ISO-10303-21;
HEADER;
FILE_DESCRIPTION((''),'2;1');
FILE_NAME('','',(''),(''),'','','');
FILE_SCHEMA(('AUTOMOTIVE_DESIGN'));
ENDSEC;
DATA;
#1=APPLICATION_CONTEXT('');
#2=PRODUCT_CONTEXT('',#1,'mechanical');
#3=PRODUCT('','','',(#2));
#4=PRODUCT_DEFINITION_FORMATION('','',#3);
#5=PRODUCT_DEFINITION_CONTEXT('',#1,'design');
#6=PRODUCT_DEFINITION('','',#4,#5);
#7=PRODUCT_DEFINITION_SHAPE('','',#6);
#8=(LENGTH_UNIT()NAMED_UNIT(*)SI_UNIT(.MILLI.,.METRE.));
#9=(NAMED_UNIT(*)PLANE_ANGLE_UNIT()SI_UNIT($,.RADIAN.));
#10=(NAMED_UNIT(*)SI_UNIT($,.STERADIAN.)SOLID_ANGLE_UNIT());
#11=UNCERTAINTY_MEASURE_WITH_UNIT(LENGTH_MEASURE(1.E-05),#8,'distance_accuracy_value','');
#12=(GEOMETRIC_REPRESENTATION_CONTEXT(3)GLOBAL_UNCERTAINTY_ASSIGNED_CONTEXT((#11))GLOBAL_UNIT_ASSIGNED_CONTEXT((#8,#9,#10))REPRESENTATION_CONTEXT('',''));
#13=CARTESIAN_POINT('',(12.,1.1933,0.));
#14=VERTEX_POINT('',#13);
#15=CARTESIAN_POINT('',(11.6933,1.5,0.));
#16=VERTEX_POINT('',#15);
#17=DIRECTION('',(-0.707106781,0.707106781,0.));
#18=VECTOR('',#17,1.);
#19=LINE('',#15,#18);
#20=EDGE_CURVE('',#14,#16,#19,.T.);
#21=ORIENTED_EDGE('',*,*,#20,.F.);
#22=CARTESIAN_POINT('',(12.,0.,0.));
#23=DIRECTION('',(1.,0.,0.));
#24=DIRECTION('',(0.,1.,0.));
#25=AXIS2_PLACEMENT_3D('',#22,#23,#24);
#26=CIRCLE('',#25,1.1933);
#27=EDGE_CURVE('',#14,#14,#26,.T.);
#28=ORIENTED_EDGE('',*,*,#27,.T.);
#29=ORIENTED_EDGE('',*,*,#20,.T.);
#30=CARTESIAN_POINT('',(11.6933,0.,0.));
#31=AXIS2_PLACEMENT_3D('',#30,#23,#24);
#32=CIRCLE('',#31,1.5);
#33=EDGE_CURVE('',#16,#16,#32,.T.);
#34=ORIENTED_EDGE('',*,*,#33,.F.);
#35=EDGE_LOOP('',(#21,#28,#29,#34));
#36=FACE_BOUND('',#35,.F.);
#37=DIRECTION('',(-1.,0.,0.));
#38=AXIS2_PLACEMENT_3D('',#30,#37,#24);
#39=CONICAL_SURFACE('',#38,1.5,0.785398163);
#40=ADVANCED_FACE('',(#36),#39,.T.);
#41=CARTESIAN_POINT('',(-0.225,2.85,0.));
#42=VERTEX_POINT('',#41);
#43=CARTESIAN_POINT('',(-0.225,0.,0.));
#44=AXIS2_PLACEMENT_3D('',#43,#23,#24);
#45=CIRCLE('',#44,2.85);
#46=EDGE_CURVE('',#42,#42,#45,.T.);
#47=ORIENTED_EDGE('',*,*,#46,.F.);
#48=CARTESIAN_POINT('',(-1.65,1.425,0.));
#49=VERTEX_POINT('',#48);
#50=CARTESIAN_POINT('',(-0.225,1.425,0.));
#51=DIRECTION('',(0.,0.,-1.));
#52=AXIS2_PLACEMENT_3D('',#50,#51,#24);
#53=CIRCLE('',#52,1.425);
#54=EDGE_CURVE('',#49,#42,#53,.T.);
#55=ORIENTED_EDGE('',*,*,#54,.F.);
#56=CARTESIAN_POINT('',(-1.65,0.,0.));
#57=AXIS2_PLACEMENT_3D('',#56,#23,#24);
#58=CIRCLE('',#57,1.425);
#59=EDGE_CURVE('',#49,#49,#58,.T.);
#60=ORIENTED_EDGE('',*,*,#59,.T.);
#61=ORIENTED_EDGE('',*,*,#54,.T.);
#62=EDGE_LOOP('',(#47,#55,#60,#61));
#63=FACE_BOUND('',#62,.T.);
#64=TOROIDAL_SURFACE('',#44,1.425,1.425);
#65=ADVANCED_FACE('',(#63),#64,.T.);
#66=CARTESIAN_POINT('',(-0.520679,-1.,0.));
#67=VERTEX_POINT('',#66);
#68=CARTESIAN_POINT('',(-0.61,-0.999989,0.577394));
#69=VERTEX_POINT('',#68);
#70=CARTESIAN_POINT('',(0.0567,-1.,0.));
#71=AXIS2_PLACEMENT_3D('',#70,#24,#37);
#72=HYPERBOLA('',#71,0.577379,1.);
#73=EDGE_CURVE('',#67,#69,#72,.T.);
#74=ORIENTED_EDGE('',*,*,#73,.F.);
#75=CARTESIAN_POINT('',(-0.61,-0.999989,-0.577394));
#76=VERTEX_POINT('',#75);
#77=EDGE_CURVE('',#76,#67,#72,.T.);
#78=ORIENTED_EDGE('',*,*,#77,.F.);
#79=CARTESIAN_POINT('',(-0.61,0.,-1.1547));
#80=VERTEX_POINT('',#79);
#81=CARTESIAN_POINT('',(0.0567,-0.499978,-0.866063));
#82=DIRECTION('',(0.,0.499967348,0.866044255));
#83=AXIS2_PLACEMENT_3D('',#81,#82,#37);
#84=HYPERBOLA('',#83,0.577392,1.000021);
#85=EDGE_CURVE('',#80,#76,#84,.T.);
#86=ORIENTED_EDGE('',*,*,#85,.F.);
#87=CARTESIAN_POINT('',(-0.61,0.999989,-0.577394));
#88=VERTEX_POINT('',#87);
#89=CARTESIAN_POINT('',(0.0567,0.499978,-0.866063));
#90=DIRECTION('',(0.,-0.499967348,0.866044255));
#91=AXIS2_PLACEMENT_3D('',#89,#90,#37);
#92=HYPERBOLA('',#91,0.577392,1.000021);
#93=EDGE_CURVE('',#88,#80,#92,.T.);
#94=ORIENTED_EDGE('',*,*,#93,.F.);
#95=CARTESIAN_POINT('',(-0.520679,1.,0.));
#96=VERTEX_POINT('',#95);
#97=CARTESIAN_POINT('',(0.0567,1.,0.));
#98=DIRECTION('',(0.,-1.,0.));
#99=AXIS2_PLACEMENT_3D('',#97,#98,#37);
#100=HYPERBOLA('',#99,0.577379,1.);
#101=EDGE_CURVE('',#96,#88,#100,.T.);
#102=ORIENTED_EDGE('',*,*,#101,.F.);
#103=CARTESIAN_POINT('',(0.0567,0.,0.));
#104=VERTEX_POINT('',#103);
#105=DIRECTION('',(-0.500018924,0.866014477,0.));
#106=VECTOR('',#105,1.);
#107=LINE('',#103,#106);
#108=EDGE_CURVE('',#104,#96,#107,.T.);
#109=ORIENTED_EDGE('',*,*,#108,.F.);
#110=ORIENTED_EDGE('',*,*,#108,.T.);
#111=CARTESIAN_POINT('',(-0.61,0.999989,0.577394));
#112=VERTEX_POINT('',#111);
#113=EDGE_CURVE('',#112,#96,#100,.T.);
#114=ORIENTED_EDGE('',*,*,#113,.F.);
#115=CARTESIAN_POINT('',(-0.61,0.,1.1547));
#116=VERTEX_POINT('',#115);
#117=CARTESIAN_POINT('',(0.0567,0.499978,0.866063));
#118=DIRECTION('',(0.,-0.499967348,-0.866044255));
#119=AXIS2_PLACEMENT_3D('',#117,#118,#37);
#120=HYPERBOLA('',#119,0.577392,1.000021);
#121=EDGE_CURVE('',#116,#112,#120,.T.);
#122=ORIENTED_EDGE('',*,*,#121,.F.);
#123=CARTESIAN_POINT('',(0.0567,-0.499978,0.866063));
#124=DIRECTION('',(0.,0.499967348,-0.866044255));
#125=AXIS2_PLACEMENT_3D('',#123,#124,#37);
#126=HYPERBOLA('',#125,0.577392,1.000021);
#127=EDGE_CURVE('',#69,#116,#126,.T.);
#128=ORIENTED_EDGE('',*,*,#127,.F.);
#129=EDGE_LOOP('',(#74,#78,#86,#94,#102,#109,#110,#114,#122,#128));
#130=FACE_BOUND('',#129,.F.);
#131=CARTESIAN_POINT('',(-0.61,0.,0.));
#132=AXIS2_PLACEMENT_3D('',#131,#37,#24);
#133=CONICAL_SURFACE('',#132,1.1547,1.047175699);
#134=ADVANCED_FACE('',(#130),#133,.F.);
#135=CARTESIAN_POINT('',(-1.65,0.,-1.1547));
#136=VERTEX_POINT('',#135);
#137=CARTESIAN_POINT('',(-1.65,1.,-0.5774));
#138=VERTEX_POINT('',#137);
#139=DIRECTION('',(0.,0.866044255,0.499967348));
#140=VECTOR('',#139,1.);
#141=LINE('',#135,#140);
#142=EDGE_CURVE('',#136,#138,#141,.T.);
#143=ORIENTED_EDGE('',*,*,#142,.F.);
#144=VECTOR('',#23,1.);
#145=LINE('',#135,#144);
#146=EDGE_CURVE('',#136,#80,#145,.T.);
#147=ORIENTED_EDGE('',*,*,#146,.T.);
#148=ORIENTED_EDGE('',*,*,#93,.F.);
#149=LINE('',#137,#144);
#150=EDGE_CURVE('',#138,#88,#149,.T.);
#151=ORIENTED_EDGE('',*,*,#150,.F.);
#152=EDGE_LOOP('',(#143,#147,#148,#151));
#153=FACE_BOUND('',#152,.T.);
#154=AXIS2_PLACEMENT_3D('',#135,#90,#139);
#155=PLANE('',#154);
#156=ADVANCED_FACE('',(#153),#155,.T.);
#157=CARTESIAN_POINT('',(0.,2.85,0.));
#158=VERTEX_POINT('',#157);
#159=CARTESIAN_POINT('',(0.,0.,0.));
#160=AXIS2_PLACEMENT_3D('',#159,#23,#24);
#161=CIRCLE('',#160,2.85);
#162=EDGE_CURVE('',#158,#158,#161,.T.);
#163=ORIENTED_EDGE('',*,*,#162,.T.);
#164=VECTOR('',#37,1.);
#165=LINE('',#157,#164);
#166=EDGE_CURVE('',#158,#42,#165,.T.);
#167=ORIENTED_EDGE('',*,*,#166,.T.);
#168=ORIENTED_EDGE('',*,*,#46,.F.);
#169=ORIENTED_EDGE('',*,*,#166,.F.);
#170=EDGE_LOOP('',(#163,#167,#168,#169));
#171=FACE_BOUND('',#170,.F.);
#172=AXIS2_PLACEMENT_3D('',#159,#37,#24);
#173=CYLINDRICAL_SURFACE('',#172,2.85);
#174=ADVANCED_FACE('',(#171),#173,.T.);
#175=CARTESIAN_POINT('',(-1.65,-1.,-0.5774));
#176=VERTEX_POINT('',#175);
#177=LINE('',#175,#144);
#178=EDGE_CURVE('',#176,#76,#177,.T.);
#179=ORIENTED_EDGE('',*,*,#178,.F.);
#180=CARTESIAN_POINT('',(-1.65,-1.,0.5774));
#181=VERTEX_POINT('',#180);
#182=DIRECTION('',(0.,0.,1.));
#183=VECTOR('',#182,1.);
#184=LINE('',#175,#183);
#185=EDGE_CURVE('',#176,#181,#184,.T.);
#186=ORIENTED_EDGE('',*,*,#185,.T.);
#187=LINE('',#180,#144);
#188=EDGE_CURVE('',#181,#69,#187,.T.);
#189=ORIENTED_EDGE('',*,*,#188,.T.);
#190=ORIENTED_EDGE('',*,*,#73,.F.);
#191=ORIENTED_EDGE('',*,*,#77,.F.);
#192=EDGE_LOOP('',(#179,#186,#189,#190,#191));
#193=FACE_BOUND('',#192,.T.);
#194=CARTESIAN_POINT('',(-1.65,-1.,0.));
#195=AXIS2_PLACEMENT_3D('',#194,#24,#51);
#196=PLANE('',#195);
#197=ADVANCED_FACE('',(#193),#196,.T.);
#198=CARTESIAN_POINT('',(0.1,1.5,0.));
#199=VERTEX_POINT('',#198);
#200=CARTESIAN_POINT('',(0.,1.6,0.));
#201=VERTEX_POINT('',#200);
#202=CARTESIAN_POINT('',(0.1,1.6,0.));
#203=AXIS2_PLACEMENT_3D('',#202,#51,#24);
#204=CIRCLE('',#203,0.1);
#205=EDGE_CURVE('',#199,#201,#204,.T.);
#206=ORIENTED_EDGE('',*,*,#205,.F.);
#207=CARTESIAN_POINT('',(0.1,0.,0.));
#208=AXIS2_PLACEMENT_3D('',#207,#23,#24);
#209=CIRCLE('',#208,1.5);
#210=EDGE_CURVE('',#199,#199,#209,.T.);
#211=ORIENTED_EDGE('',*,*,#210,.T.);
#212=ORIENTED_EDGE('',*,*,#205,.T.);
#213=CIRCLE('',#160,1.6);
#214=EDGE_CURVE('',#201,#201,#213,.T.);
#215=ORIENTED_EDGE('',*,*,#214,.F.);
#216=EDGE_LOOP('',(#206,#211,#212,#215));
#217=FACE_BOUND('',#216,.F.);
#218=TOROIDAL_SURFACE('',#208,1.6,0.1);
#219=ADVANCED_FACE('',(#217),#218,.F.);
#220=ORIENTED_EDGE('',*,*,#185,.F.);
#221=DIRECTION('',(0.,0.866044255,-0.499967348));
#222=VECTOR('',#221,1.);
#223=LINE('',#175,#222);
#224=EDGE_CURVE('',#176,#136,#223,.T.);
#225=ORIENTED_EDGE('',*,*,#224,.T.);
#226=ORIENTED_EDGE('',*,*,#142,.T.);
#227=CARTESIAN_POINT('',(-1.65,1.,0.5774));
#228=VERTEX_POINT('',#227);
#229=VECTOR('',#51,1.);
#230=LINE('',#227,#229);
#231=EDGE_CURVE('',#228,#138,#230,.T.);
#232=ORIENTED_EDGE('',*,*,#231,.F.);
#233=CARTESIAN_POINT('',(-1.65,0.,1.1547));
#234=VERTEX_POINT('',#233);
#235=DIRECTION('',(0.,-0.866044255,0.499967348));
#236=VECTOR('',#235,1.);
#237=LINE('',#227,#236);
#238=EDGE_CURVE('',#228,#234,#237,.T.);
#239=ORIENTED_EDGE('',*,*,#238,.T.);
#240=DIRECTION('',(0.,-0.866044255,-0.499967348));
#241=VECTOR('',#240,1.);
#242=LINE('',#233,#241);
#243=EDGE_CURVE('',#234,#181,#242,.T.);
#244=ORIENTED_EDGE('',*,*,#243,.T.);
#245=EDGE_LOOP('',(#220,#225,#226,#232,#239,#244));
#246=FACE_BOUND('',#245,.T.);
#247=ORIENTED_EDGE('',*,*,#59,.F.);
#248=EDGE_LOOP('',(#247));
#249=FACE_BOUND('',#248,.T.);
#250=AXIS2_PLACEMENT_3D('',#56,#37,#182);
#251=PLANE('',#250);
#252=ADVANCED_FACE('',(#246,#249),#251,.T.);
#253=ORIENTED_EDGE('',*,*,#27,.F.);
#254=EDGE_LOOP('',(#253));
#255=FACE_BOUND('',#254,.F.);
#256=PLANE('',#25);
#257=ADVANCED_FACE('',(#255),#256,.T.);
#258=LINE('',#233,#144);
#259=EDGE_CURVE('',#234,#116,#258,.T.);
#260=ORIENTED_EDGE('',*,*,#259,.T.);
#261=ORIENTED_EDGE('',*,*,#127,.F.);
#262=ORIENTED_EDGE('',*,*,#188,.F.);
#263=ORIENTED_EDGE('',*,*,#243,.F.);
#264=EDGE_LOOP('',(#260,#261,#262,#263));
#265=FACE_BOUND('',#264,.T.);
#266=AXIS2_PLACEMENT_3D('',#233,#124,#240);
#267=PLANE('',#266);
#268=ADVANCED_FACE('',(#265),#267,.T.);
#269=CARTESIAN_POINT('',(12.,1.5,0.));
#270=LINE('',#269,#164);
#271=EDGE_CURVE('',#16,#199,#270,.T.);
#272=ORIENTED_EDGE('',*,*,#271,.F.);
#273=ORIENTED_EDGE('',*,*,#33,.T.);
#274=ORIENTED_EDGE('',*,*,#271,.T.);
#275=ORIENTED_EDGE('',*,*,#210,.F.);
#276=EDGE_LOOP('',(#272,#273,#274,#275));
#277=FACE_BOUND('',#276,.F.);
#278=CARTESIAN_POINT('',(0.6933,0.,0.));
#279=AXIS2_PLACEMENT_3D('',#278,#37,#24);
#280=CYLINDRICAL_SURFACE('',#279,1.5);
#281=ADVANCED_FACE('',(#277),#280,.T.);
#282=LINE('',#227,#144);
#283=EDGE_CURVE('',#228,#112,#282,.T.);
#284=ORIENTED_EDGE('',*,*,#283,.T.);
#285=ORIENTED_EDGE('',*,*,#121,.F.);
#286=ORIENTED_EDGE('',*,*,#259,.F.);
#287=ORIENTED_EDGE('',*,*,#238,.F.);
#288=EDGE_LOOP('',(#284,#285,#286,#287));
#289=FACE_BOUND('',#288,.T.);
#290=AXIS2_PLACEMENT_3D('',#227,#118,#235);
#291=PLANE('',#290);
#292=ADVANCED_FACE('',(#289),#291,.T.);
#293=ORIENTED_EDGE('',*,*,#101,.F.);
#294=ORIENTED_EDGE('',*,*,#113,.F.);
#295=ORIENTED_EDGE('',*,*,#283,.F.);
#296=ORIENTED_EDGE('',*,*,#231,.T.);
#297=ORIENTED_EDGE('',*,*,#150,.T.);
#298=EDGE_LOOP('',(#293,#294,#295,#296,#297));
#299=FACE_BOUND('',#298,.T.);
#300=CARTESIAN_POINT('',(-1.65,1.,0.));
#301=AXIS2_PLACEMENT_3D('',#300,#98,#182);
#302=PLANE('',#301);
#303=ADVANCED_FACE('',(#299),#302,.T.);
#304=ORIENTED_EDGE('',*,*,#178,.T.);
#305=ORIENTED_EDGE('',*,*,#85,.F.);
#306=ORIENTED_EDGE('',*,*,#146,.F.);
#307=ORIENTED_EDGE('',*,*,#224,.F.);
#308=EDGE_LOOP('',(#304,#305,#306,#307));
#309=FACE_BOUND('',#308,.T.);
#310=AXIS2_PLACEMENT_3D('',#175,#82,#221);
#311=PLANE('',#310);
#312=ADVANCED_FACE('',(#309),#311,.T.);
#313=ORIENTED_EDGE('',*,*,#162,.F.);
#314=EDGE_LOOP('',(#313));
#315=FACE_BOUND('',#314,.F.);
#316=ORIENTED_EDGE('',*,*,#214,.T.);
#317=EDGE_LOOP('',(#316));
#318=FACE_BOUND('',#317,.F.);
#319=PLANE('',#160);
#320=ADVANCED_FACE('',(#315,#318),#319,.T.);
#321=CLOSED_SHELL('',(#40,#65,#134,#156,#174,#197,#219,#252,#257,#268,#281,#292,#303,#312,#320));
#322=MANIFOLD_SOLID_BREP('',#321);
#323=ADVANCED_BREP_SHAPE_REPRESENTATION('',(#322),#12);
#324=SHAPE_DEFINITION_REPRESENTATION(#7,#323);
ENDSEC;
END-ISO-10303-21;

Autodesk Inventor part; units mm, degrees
ref_plane "YZ Plane" through (0, 0, 0) normal (1, 0, 0) x (0, 1, 0)
ref_plane "XZ Plane" through (0, 0, 0) normal (0, 1, 0) x (-1, 0, 0)
sketch "Sketch1" plane through (0, 0, 0) normal (0, 0, 1) x (1, 0, 0)
  line L0 (0.0567, 0) -> (12, 0)
  line L1 (12, 0) -> (12, 1.5)
  line L2 (12, 1.5) -> (1, 1.5)
  line L3 (1, 1.5) -> (0.6933, 1.5)
  line L4 (0.6933, 1.5) -> (0, 1.5)
  line L5 (0, 1.5) -> (0, 2.85)
  line L6 (0, 2.85) -> (-1.65, 2.85)
  line L7 (-1.65, 2.85) -> (-1.65, 1.1547)
  line L8 (-1.65, 1.1547) -> (-0.61, 1.1547)
  line L9 (-0.61, 1.1547) -> (0.0567, 0)
  line L10 (-4.38, 0) -> (14.73, 0) projected
  line L11 (0, -0.57) -> (0, 3.42) projected
  line L12 (1, 1.5) -> (0, 1.5) construction
  dimension "d0" = 11
  dimension "d1" = 0.3067
  dimension "d2" = 1.65
  dimension "d3" = 1.04
  dimension "d4" = 60
  dimension "d5" = 3
  dimension "d6" = 3
  dimension "d7" = 2.3094
  dimension "d8" = 5.7
  dimension "d19" = 12
revolve "Body" add sketch "Sketch1" angle 360 about axis through (0.0567, 0, 0) along (1, 0, 0) contours L9 L11 L4 L3 L2 L1 L0 | L9 L8 L7 L6 L5 L11
sketch "Sketch2" plane through (-1.65, 0, 0) normal (-1, 0, 0) x (0, 0, 1)
  circle A0 centre (0, 0) radius 1.1547 projected
  line L0 (0, -3.99) -> (0, 3.99) projected
  line L1 (-3.99, 0) -> (3.99, 0) projected
  line L2 (1.1547, 0) -> (0.5774, -1)
  line L3 (0.5774, -1) -> (-0.5774, -1)
  line L4 (-0.5774, -1) -> (-1.1547, 0)
  line L5 (-1.1547, 0) -> (-0.5774, 1)
  line L6 (-0.5774, 1) -> (0.5774, 1)
  line L7 (0.5774, 1) -> (1.1547, 0)
extrude "Slot" add sketch "Sketch2" against normal up to next contours L7 A0 | A0 L2 | L6 L0 A0 | A0 L0 L3 | L0 L6 A0 | A0 L3 L0 | L4 A0 | A0 L5
fillet "Fillet1" radius 1.425 1 edges at (-1.65, -2.85, 0)
thread "Thread" size "M3x0.5" class "4g6g" standard "ANSI Metric M Profile" length 11
chamfer "Chamfer1" distance 0.3067 distance2 0.3067 1 edges at (12, -1.5, 0) measured on face at (12, -0.6587, -0.1791)
fillet "Fillet2" radius 0.1 1 edges at (0, -1.5, 0)
ref_plane "Work Plane1" through (30, 0, 0) normal (0, -0.5, 0.866) x (1, 0, 0)
equation "\"d0\" = GEL"
equation "\"d1\" = GAL"
equation "\"d2\" = KOH"
equation "\"d3\" = INTI"
equation "\"d5\" = GD"
equation "\"d6\" = BDM"
equation "\"d7\" = 1.1547 * SW"
equation "\"d8\" = KOD"
equation "\"d19\" = NLG"
equation "\"d16\" = RR"
equation "\"d12\" = GEL"
equation "\"d14\" = -0.5 * SPD + 0.5 * GD"
equation "\"d15\" = GUL"
equation "\"d29\" = R"
equation "\"GD\" = NND"
equation "\"NLG\" = 12"
equation "\"GEL\" = 11"
equation "\"KOD\" = 5.7"
equation "\"KOH\" = 1.65"
equation "\"INTI\" = 1.04"
equation "\"GAL\" = 0.61345 * PTC"
equation "\"GUL\" = 0.61345 * PTC"
equation "\"BDM\" = NND"
equation "\"SW\" = 2"
equation "\"RR\" = 1.425"
equation "\"SPD\" = 2.38655"
equation "\"d28\" = R"
equation "\"R\" = 0.1"
equation "\"TOA\" = 30deg"
equation "\"THREADDIA\" = 3"
equation "\"KOD1\" = KOD - 2 * RR"
equation "\"PTC\" = 0.5"
equation "\"NND\" = 3"
equation "\"E0\" = 1.155 * SW"
equation "\"GD1\" = THREADDIA - 1.2269 * PTC"
properties part number "ANSI B18.3.4M - M3 x 0.5 x 12" material "Steel, Mild"
